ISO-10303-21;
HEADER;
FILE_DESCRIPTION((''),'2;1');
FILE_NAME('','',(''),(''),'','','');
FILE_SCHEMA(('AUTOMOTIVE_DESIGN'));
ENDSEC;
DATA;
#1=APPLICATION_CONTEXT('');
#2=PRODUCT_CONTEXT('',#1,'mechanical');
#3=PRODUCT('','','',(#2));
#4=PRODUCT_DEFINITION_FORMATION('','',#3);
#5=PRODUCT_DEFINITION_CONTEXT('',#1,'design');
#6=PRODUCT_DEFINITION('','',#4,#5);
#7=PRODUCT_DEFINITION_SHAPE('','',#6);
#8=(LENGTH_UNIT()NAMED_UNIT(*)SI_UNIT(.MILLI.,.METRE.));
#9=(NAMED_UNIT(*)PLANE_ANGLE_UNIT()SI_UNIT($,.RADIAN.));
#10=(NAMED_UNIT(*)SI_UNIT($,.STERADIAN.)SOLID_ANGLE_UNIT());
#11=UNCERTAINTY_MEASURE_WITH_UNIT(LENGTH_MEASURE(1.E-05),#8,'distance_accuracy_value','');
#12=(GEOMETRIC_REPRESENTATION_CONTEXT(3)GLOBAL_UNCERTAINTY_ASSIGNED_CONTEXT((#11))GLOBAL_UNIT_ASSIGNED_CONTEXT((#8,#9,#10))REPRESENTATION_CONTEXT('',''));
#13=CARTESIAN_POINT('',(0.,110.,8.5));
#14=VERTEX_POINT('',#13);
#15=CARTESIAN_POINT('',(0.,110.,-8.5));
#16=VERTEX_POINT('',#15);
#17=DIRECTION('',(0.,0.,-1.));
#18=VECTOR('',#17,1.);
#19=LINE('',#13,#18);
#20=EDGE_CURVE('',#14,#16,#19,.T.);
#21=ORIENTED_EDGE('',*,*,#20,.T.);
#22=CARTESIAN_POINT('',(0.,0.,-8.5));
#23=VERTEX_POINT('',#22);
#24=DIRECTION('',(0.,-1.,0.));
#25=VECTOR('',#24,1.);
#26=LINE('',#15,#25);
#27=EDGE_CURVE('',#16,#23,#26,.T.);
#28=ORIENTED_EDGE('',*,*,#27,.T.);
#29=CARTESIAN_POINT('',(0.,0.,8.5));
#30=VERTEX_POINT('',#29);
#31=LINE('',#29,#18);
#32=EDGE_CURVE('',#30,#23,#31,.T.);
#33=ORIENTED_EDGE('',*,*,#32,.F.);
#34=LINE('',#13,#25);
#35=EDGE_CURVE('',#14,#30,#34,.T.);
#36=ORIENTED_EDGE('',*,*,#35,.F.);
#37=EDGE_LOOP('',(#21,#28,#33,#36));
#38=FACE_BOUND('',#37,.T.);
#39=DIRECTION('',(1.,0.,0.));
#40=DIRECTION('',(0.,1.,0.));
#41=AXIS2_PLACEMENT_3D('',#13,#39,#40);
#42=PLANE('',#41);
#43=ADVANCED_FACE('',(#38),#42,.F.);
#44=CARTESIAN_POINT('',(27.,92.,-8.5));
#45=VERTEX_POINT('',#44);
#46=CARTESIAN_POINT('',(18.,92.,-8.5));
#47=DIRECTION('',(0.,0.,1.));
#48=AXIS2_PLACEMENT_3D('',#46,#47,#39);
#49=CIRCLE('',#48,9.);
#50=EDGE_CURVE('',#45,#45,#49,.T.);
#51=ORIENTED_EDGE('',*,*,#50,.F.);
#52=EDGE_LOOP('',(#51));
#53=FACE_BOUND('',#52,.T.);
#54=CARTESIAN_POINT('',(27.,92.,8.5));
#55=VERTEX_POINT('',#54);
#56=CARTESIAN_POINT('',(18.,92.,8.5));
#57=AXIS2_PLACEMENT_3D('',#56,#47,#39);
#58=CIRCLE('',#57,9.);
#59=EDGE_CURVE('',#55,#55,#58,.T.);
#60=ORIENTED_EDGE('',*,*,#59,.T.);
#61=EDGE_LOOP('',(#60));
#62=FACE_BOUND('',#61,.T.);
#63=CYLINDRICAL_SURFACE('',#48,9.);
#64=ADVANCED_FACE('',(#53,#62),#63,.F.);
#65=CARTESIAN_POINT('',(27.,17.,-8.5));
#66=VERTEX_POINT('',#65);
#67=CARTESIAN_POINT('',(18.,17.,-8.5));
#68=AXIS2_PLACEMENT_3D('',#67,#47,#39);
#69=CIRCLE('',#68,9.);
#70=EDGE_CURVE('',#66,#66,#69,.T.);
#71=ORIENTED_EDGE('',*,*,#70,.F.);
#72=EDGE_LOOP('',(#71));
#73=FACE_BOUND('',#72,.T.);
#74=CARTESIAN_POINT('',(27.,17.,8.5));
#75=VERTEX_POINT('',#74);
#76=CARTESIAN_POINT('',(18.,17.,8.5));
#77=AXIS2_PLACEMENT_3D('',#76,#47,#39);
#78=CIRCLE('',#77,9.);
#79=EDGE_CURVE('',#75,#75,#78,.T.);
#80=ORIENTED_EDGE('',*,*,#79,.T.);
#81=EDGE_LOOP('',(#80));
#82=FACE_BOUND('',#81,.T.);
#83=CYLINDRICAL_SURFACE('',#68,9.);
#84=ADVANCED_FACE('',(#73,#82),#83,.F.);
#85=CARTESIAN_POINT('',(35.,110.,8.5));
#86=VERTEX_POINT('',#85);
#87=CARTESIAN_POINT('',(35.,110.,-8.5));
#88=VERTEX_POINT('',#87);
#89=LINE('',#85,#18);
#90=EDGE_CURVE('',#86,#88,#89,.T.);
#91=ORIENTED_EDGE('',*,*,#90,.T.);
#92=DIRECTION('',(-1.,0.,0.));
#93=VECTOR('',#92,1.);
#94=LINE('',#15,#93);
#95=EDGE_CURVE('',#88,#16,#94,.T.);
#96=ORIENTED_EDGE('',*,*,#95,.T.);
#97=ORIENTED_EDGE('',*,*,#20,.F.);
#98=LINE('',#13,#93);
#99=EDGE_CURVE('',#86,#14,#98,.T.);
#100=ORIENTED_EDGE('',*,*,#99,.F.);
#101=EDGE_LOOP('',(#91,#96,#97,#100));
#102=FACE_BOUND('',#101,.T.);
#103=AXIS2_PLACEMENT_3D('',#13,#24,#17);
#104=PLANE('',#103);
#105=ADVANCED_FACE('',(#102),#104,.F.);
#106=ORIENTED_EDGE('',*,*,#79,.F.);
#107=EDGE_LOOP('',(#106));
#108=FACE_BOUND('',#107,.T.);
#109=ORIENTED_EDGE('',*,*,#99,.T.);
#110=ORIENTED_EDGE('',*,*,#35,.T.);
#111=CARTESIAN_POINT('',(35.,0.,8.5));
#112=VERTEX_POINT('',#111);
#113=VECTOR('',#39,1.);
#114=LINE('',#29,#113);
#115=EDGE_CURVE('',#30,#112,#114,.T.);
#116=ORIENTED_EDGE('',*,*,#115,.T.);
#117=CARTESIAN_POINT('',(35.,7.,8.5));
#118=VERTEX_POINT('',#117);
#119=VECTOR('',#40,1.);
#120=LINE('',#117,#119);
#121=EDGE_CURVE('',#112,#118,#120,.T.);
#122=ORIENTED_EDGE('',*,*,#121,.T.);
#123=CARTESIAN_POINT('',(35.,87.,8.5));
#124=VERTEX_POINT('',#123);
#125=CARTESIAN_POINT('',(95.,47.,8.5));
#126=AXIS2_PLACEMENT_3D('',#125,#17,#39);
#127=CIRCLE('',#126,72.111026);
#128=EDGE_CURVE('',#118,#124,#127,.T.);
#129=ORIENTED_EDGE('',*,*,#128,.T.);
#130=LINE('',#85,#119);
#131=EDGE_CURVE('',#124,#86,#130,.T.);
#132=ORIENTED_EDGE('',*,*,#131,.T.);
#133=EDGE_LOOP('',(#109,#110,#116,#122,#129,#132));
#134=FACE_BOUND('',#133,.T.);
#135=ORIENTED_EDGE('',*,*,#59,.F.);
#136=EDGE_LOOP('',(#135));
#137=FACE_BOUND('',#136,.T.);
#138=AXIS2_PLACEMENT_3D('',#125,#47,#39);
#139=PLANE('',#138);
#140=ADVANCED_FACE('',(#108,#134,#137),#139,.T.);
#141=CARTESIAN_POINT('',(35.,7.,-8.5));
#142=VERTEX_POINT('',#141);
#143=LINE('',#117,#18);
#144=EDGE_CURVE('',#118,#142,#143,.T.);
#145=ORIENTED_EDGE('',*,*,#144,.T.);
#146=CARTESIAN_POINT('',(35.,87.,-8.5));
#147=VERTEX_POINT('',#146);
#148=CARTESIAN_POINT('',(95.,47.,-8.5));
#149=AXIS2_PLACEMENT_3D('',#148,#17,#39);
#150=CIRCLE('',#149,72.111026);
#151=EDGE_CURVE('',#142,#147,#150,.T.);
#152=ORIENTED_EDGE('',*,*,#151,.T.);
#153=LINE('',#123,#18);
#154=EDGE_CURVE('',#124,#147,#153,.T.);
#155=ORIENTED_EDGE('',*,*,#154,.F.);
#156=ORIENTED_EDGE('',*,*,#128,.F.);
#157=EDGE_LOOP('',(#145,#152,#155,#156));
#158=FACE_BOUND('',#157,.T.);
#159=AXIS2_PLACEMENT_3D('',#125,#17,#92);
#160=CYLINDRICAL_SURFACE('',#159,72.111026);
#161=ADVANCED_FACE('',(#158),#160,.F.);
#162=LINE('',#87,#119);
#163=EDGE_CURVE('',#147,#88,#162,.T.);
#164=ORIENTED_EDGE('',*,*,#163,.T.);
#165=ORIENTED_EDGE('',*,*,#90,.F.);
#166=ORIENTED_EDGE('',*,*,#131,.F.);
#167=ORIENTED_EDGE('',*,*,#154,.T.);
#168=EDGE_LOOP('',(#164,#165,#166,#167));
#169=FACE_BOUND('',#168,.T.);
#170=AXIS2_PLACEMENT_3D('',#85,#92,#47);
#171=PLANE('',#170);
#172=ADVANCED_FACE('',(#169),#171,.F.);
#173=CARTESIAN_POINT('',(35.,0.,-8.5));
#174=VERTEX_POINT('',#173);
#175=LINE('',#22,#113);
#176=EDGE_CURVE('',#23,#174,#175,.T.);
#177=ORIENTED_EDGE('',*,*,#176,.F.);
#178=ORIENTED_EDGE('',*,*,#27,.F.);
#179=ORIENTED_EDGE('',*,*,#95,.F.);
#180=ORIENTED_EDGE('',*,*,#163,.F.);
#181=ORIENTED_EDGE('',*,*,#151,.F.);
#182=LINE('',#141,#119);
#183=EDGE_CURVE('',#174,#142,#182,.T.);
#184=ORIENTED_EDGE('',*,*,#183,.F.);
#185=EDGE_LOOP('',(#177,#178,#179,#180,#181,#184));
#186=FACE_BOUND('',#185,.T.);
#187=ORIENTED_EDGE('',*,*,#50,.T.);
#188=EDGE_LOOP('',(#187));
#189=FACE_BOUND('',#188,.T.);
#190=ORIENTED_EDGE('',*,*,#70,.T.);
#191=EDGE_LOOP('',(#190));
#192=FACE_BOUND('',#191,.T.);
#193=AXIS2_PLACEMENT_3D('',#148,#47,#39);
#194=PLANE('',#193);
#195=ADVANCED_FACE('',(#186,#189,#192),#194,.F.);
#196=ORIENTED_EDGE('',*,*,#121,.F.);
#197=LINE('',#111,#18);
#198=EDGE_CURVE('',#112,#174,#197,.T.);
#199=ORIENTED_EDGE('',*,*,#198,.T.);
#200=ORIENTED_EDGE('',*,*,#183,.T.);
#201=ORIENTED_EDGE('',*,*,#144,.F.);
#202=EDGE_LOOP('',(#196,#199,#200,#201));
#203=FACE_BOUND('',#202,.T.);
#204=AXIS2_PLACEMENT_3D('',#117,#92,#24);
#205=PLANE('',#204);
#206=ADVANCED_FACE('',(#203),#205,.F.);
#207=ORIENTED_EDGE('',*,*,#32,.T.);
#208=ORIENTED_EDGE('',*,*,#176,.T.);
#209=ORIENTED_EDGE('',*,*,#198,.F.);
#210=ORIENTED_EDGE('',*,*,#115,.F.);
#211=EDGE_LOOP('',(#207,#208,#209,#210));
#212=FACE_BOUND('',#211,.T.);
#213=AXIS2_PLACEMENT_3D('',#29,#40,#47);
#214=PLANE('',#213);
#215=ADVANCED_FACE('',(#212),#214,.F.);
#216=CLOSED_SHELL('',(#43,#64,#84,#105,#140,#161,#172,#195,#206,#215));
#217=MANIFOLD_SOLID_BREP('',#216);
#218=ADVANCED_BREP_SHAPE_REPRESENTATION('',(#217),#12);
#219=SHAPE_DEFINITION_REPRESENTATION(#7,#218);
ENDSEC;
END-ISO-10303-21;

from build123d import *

# Parameters (mm, degrees)
BOSS_EXTRUDE1_DEPTH = 8.5
SKETCH2_R           = 9
CUT_EXTRUDE1_DEPTH  = 117.679046962


with BuildPart() as part:
    # Sketch1 → Boss-Extrude1 (new, symmetric)
    with BuildSketch(Plane.XY):
        with BuildLine():
            Line((0, 110), (35, 110))
            Line((35, 110), (35, 87))
            ThreePointArc((35, 87), (22.888974491, 47), (35, 7))
            Line((35, 7), (35, 0))
            Line((35, 0), (0, 0))
            Line((0, 0), (0, 110))
        make_face()
    extrude(amount=BOSS_EXTRUDE1_DEPTH, both=True)

    # Sketch2 → Cut-Extrude1 (cut, through all)
    with BuildSketch(Plane.XY.offset(8.5)):
        with Locations((18, 92)):
            Circle(SKETCH2_R)
        with Locations((18, 17)):
            Circle(SKETCH2_R)
    extrude(amount=-CUT_EXTRUDE1_DEPTH, mode=Mode.SUBTRACT)


solid = part.part
